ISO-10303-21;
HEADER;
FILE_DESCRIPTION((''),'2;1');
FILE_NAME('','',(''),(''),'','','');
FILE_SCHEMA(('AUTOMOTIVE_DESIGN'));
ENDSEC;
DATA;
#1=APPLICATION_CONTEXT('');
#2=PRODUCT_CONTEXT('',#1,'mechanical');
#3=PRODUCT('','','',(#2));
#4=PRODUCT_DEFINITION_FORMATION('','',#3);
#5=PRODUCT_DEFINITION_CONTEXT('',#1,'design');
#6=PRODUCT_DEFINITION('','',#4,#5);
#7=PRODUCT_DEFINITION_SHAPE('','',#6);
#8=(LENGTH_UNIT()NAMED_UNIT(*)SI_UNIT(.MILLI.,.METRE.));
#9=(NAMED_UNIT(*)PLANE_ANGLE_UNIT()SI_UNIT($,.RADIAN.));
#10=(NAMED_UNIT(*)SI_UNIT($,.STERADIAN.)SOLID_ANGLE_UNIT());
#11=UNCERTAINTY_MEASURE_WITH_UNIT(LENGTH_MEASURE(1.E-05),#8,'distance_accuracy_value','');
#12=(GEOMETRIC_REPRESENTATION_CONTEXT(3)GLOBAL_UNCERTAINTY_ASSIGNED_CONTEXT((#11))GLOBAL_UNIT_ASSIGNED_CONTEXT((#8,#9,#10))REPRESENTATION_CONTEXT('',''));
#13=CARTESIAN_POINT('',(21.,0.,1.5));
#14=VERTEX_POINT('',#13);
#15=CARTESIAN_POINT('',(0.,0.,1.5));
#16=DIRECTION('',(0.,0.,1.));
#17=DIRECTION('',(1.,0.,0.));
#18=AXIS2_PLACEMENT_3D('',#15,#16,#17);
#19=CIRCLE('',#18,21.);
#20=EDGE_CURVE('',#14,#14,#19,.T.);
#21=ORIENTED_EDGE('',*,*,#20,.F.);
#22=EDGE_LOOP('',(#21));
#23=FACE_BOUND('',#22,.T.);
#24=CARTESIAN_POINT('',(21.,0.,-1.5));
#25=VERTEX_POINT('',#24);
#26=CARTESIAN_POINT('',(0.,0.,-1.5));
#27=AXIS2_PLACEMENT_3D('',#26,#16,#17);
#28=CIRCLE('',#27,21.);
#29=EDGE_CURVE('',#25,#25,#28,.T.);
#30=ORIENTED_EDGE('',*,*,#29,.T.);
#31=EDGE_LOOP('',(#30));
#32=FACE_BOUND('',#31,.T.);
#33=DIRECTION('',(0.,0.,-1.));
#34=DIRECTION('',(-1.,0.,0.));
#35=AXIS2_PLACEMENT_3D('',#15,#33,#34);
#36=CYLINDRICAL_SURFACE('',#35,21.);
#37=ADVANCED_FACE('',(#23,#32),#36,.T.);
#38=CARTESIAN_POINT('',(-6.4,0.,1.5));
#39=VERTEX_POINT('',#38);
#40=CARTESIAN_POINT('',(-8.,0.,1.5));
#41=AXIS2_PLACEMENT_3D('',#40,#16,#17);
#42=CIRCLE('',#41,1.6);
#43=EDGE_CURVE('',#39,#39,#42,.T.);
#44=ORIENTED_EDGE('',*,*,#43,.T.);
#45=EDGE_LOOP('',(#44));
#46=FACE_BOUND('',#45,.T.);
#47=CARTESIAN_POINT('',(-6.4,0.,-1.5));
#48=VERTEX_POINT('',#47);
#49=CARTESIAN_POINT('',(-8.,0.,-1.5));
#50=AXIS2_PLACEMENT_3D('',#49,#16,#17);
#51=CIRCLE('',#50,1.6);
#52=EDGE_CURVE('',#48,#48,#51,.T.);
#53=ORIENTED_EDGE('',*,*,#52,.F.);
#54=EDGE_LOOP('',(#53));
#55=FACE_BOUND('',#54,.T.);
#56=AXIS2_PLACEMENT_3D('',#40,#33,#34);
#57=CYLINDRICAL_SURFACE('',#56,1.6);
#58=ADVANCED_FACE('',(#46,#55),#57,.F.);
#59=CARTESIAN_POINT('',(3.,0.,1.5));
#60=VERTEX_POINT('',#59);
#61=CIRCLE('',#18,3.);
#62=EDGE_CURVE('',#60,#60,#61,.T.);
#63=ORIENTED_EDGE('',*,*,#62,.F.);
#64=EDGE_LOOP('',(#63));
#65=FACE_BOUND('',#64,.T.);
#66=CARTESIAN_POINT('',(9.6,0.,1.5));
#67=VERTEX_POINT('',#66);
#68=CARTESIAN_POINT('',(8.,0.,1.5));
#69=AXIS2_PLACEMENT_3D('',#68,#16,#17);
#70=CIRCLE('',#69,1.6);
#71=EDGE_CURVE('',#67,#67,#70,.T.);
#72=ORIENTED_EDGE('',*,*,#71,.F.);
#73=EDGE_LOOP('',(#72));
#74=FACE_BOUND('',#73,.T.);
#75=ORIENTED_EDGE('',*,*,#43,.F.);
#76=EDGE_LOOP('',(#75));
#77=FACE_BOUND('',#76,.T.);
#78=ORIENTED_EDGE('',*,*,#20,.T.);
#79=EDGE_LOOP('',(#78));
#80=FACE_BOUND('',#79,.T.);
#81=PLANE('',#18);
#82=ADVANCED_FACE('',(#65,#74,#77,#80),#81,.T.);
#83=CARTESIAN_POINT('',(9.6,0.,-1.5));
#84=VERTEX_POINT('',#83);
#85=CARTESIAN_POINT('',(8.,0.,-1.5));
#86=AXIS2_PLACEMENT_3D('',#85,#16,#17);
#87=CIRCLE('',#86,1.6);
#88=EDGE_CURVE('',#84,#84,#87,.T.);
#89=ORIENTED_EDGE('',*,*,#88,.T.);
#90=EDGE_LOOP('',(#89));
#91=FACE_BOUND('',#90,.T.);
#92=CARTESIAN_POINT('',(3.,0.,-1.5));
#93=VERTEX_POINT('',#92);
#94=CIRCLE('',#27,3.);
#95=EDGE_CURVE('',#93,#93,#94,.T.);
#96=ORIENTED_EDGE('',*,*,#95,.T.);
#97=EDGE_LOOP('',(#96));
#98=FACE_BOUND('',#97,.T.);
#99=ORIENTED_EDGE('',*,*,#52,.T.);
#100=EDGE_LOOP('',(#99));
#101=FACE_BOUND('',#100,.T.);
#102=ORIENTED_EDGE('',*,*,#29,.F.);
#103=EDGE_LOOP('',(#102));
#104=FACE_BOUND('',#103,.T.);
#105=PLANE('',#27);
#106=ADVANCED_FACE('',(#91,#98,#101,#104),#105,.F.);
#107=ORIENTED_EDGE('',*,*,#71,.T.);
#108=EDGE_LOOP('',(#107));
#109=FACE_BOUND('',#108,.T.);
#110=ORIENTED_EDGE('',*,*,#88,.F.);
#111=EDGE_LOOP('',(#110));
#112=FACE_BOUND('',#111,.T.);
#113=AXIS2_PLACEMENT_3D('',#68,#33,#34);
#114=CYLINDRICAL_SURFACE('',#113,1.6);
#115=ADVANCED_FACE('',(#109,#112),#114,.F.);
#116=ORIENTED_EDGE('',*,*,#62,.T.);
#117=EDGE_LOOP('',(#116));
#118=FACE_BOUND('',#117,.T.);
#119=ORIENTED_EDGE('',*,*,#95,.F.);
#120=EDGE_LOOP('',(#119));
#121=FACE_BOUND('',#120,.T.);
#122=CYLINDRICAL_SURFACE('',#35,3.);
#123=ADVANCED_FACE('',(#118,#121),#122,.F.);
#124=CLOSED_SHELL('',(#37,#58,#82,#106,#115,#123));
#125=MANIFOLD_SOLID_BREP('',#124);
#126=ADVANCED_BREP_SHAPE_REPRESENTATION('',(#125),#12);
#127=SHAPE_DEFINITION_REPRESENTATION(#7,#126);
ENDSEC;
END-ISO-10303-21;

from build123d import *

# Parameters (mm, degrees)
ESBO_O1_R                = 21
ESBO_O1_R_2              = 3
ESBO_O1_R_3              = 1.6
RESSALTO_EXTRUS_O1_DEPTH = 1.5


with BuildPart() as part:
    # Esboço1 → Ressalto-extrusão1 (new, symmetric)
    with BuildSketch(Plane.XY):
        Circle(ESBO_O1_R)
        Circle(ESBO_O1_R_2, mode=Mode.SUBTRACT)
        with Locations((-8, 0)):
            Circle(ESBO_O1_R_3, mode=Mode.SUBTRACT)
        with Locations((8, 0)):
            Circle(ESBO_O1_R_3, mode=Mode.SUBTRACT)
    extrude(amount=RESSALTO_EXTRUS_O1_DEPTH, both=True)


solid = part.part
